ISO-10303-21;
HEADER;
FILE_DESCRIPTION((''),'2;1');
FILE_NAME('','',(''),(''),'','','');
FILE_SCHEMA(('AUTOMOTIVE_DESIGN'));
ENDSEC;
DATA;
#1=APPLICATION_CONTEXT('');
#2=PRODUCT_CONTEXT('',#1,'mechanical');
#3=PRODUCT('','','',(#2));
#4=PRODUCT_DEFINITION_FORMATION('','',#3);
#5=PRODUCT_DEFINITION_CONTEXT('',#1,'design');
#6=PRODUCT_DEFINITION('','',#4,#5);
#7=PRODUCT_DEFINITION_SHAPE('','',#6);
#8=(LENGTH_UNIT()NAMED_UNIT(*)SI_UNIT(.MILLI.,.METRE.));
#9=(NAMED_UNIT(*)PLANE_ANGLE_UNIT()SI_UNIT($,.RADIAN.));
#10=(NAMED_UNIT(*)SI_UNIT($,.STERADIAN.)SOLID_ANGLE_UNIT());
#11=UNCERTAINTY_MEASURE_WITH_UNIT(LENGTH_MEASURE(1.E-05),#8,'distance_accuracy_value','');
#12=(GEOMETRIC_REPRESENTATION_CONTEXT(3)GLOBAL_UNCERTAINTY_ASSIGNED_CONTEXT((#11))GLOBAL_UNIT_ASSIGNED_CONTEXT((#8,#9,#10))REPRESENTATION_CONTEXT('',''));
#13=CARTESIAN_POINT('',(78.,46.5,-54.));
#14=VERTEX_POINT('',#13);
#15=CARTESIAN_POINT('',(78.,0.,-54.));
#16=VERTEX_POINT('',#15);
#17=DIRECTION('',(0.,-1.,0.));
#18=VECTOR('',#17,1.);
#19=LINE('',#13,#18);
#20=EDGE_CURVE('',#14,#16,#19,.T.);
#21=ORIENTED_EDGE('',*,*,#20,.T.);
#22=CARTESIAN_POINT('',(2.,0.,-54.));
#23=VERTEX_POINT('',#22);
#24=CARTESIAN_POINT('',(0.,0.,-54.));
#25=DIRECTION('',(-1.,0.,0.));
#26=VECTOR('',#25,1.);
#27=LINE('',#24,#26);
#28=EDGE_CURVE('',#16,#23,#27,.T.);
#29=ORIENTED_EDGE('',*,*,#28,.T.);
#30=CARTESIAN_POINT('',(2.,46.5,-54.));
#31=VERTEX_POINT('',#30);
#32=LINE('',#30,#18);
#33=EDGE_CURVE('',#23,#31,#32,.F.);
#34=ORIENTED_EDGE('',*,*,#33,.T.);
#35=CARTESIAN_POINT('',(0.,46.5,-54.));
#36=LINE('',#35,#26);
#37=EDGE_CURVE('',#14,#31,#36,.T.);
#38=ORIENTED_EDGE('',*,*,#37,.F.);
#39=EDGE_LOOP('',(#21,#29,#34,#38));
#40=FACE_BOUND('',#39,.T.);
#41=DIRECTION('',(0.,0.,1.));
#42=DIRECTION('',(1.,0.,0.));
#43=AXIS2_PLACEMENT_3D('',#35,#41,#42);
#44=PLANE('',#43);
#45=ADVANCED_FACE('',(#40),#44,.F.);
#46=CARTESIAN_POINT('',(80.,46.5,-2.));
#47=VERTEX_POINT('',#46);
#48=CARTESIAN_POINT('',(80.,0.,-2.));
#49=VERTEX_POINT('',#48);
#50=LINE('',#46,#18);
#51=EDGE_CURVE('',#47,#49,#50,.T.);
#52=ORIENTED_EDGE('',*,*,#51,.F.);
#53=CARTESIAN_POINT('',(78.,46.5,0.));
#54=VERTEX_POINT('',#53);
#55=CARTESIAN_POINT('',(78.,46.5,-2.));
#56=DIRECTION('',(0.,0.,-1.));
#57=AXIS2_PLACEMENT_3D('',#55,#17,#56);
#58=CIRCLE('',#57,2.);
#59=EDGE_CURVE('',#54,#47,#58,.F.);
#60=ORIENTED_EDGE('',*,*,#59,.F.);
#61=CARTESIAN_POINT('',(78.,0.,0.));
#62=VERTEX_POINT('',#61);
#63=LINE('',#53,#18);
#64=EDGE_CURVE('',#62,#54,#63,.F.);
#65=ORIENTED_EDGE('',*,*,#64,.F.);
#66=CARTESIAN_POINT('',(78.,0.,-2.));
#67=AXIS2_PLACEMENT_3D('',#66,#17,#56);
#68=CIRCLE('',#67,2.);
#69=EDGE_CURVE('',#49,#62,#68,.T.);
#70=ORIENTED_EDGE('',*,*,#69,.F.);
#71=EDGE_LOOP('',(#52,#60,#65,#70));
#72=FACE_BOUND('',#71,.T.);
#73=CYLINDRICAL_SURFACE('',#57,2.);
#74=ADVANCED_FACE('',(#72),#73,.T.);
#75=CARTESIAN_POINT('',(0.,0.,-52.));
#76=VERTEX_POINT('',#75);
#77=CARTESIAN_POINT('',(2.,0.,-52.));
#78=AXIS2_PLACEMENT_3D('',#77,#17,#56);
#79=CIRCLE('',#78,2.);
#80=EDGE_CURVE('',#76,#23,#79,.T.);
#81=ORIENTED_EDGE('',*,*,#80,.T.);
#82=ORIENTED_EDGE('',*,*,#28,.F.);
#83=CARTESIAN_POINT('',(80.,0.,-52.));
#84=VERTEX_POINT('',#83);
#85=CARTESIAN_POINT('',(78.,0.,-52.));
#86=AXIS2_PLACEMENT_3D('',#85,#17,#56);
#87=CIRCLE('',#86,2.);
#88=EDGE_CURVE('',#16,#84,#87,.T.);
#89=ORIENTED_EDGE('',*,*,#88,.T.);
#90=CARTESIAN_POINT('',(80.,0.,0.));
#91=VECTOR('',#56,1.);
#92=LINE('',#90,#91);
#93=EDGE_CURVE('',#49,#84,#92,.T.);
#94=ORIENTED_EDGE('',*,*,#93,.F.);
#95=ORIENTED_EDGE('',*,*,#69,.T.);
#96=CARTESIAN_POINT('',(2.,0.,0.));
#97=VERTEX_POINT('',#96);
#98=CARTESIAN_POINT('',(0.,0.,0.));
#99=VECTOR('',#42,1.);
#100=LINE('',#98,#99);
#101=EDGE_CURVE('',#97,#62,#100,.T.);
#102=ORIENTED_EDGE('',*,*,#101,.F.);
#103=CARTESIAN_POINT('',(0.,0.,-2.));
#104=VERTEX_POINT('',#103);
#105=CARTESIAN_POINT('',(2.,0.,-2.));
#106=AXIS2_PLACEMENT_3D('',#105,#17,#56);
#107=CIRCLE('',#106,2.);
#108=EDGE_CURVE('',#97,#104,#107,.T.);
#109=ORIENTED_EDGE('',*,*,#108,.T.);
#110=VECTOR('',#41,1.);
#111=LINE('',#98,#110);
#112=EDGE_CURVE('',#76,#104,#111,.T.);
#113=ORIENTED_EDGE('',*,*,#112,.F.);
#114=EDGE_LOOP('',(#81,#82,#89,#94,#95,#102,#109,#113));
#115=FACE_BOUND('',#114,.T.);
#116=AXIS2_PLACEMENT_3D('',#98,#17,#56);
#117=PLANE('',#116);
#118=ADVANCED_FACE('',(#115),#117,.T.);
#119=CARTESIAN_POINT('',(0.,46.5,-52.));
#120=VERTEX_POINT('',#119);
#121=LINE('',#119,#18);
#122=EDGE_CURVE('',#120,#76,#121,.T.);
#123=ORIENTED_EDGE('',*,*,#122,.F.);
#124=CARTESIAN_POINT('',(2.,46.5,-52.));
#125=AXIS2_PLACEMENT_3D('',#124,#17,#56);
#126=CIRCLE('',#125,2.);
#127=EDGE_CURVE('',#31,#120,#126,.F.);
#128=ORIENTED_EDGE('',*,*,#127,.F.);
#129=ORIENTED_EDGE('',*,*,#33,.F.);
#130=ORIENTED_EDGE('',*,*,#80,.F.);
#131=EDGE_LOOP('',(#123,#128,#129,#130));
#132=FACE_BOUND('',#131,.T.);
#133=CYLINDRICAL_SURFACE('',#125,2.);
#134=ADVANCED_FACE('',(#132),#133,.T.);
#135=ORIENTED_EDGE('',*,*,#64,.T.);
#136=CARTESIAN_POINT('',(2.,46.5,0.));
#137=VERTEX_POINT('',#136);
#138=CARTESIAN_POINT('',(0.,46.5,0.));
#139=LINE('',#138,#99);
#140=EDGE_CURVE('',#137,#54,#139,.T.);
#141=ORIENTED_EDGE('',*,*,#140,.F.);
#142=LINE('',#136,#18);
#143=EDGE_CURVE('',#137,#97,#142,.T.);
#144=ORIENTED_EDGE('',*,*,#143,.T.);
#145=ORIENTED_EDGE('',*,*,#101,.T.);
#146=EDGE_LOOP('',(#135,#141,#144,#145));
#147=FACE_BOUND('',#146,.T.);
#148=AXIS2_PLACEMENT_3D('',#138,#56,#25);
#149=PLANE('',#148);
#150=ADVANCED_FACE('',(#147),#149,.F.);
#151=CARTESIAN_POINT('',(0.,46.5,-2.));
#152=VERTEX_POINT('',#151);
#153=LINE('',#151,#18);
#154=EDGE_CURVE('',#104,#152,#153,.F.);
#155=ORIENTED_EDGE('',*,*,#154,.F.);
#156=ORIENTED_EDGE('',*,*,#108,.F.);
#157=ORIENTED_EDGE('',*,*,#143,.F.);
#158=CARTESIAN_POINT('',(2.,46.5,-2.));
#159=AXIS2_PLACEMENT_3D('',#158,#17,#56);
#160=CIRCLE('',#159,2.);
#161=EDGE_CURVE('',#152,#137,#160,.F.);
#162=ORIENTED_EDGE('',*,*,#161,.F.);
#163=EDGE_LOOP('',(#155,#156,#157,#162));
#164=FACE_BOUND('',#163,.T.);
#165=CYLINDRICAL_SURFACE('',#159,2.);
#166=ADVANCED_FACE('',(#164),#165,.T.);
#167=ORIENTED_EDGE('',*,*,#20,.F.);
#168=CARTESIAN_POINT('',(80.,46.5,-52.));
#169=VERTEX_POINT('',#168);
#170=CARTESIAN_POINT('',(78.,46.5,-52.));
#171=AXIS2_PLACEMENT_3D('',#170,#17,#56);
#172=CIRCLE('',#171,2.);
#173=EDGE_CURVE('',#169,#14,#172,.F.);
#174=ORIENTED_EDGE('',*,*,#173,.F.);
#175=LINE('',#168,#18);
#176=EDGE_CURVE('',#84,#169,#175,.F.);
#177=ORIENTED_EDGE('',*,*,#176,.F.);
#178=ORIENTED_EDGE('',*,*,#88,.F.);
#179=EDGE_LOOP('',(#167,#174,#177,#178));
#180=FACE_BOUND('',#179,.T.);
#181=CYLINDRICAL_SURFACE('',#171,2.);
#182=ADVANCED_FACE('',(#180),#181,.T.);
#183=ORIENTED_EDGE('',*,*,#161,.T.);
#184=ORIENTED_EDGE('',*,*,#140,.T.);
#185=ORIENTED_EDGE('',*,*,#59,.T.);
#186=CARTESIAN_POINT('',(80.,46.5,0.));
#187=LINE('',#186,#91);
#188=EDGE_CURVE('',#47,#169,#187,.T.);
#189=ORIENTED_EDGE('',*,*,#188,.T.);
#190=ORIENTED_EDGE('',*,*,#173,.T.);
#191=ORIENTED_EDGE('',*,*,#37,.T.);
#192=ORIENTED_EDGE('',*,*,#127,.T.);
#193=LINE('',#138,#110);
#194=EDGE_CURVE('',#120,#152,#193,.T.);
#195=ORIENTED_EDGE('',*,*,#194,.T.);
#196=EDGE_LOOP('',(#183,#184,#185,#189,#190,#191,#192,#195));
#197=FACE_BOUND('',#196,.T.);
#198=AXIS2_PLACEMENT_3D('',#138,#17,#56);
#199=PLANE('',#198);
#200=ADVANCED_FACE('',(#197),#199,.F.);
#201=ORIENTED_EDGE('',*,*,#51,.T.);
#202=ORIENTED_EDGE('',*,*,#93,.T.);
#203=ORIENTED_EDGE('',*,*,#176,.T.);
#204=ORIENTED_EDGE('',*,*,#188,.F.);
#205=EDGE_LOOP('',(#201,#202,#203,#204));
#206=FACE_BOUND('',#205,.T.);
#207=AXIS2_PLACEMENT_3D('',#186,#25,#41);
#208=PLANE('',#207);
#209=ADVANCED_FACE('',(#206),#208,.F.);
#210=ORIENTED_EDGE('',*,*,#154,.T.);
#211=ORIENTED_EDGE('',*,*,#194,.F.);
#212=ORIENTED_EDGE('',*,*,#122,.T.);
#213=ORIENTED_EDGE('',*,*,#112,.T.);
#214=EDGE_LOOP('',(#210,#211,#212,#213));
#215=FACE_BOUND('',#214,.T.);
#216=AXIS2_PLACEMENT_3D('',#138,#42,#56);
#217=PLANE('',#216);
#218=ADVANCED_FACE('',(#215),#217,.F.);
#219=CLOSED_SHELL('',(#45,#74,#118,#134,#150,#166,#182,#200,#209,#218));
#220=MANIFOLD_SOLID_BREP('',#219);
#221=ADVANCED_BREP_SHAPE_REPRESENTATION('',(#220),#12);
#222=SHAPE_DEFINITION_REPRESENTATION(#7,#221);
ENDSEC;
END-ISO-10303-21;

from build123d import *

# Parameters (mm, degrees)
SKETCH1_W           = 80
SKETCH1_H           = 54
BOSS_EXTRUDE2_DEPTH = 46.5
FILLET1_R           = 2


with BuildPart() as part:
    # Sketch1 → Boss-Extrude2 (new body)
    with BuildSketch(Plane(origin=(0, 0, 0), x_dir=(1, 0, 0), z_dir=(0, 1, 0))):
        with Locations((40, 27)):
            Rectangle(SKETCH1_W, SKETCH1_H)
    extrude(amount=BOSS_EXTRUDE2_DEPTH)

    # Fillet1
    fillet1_edges = [part.edges().sort_by_distance(p)[0] for p in [
        (0, 23.25, -54),
        (80, 23.25, -54),
        (80, 23.25, 0),
        (0, 23.25, 0),
    ]]
    fillet(fillet1_edges, radius=FILLET1_R)


solid = part.part
